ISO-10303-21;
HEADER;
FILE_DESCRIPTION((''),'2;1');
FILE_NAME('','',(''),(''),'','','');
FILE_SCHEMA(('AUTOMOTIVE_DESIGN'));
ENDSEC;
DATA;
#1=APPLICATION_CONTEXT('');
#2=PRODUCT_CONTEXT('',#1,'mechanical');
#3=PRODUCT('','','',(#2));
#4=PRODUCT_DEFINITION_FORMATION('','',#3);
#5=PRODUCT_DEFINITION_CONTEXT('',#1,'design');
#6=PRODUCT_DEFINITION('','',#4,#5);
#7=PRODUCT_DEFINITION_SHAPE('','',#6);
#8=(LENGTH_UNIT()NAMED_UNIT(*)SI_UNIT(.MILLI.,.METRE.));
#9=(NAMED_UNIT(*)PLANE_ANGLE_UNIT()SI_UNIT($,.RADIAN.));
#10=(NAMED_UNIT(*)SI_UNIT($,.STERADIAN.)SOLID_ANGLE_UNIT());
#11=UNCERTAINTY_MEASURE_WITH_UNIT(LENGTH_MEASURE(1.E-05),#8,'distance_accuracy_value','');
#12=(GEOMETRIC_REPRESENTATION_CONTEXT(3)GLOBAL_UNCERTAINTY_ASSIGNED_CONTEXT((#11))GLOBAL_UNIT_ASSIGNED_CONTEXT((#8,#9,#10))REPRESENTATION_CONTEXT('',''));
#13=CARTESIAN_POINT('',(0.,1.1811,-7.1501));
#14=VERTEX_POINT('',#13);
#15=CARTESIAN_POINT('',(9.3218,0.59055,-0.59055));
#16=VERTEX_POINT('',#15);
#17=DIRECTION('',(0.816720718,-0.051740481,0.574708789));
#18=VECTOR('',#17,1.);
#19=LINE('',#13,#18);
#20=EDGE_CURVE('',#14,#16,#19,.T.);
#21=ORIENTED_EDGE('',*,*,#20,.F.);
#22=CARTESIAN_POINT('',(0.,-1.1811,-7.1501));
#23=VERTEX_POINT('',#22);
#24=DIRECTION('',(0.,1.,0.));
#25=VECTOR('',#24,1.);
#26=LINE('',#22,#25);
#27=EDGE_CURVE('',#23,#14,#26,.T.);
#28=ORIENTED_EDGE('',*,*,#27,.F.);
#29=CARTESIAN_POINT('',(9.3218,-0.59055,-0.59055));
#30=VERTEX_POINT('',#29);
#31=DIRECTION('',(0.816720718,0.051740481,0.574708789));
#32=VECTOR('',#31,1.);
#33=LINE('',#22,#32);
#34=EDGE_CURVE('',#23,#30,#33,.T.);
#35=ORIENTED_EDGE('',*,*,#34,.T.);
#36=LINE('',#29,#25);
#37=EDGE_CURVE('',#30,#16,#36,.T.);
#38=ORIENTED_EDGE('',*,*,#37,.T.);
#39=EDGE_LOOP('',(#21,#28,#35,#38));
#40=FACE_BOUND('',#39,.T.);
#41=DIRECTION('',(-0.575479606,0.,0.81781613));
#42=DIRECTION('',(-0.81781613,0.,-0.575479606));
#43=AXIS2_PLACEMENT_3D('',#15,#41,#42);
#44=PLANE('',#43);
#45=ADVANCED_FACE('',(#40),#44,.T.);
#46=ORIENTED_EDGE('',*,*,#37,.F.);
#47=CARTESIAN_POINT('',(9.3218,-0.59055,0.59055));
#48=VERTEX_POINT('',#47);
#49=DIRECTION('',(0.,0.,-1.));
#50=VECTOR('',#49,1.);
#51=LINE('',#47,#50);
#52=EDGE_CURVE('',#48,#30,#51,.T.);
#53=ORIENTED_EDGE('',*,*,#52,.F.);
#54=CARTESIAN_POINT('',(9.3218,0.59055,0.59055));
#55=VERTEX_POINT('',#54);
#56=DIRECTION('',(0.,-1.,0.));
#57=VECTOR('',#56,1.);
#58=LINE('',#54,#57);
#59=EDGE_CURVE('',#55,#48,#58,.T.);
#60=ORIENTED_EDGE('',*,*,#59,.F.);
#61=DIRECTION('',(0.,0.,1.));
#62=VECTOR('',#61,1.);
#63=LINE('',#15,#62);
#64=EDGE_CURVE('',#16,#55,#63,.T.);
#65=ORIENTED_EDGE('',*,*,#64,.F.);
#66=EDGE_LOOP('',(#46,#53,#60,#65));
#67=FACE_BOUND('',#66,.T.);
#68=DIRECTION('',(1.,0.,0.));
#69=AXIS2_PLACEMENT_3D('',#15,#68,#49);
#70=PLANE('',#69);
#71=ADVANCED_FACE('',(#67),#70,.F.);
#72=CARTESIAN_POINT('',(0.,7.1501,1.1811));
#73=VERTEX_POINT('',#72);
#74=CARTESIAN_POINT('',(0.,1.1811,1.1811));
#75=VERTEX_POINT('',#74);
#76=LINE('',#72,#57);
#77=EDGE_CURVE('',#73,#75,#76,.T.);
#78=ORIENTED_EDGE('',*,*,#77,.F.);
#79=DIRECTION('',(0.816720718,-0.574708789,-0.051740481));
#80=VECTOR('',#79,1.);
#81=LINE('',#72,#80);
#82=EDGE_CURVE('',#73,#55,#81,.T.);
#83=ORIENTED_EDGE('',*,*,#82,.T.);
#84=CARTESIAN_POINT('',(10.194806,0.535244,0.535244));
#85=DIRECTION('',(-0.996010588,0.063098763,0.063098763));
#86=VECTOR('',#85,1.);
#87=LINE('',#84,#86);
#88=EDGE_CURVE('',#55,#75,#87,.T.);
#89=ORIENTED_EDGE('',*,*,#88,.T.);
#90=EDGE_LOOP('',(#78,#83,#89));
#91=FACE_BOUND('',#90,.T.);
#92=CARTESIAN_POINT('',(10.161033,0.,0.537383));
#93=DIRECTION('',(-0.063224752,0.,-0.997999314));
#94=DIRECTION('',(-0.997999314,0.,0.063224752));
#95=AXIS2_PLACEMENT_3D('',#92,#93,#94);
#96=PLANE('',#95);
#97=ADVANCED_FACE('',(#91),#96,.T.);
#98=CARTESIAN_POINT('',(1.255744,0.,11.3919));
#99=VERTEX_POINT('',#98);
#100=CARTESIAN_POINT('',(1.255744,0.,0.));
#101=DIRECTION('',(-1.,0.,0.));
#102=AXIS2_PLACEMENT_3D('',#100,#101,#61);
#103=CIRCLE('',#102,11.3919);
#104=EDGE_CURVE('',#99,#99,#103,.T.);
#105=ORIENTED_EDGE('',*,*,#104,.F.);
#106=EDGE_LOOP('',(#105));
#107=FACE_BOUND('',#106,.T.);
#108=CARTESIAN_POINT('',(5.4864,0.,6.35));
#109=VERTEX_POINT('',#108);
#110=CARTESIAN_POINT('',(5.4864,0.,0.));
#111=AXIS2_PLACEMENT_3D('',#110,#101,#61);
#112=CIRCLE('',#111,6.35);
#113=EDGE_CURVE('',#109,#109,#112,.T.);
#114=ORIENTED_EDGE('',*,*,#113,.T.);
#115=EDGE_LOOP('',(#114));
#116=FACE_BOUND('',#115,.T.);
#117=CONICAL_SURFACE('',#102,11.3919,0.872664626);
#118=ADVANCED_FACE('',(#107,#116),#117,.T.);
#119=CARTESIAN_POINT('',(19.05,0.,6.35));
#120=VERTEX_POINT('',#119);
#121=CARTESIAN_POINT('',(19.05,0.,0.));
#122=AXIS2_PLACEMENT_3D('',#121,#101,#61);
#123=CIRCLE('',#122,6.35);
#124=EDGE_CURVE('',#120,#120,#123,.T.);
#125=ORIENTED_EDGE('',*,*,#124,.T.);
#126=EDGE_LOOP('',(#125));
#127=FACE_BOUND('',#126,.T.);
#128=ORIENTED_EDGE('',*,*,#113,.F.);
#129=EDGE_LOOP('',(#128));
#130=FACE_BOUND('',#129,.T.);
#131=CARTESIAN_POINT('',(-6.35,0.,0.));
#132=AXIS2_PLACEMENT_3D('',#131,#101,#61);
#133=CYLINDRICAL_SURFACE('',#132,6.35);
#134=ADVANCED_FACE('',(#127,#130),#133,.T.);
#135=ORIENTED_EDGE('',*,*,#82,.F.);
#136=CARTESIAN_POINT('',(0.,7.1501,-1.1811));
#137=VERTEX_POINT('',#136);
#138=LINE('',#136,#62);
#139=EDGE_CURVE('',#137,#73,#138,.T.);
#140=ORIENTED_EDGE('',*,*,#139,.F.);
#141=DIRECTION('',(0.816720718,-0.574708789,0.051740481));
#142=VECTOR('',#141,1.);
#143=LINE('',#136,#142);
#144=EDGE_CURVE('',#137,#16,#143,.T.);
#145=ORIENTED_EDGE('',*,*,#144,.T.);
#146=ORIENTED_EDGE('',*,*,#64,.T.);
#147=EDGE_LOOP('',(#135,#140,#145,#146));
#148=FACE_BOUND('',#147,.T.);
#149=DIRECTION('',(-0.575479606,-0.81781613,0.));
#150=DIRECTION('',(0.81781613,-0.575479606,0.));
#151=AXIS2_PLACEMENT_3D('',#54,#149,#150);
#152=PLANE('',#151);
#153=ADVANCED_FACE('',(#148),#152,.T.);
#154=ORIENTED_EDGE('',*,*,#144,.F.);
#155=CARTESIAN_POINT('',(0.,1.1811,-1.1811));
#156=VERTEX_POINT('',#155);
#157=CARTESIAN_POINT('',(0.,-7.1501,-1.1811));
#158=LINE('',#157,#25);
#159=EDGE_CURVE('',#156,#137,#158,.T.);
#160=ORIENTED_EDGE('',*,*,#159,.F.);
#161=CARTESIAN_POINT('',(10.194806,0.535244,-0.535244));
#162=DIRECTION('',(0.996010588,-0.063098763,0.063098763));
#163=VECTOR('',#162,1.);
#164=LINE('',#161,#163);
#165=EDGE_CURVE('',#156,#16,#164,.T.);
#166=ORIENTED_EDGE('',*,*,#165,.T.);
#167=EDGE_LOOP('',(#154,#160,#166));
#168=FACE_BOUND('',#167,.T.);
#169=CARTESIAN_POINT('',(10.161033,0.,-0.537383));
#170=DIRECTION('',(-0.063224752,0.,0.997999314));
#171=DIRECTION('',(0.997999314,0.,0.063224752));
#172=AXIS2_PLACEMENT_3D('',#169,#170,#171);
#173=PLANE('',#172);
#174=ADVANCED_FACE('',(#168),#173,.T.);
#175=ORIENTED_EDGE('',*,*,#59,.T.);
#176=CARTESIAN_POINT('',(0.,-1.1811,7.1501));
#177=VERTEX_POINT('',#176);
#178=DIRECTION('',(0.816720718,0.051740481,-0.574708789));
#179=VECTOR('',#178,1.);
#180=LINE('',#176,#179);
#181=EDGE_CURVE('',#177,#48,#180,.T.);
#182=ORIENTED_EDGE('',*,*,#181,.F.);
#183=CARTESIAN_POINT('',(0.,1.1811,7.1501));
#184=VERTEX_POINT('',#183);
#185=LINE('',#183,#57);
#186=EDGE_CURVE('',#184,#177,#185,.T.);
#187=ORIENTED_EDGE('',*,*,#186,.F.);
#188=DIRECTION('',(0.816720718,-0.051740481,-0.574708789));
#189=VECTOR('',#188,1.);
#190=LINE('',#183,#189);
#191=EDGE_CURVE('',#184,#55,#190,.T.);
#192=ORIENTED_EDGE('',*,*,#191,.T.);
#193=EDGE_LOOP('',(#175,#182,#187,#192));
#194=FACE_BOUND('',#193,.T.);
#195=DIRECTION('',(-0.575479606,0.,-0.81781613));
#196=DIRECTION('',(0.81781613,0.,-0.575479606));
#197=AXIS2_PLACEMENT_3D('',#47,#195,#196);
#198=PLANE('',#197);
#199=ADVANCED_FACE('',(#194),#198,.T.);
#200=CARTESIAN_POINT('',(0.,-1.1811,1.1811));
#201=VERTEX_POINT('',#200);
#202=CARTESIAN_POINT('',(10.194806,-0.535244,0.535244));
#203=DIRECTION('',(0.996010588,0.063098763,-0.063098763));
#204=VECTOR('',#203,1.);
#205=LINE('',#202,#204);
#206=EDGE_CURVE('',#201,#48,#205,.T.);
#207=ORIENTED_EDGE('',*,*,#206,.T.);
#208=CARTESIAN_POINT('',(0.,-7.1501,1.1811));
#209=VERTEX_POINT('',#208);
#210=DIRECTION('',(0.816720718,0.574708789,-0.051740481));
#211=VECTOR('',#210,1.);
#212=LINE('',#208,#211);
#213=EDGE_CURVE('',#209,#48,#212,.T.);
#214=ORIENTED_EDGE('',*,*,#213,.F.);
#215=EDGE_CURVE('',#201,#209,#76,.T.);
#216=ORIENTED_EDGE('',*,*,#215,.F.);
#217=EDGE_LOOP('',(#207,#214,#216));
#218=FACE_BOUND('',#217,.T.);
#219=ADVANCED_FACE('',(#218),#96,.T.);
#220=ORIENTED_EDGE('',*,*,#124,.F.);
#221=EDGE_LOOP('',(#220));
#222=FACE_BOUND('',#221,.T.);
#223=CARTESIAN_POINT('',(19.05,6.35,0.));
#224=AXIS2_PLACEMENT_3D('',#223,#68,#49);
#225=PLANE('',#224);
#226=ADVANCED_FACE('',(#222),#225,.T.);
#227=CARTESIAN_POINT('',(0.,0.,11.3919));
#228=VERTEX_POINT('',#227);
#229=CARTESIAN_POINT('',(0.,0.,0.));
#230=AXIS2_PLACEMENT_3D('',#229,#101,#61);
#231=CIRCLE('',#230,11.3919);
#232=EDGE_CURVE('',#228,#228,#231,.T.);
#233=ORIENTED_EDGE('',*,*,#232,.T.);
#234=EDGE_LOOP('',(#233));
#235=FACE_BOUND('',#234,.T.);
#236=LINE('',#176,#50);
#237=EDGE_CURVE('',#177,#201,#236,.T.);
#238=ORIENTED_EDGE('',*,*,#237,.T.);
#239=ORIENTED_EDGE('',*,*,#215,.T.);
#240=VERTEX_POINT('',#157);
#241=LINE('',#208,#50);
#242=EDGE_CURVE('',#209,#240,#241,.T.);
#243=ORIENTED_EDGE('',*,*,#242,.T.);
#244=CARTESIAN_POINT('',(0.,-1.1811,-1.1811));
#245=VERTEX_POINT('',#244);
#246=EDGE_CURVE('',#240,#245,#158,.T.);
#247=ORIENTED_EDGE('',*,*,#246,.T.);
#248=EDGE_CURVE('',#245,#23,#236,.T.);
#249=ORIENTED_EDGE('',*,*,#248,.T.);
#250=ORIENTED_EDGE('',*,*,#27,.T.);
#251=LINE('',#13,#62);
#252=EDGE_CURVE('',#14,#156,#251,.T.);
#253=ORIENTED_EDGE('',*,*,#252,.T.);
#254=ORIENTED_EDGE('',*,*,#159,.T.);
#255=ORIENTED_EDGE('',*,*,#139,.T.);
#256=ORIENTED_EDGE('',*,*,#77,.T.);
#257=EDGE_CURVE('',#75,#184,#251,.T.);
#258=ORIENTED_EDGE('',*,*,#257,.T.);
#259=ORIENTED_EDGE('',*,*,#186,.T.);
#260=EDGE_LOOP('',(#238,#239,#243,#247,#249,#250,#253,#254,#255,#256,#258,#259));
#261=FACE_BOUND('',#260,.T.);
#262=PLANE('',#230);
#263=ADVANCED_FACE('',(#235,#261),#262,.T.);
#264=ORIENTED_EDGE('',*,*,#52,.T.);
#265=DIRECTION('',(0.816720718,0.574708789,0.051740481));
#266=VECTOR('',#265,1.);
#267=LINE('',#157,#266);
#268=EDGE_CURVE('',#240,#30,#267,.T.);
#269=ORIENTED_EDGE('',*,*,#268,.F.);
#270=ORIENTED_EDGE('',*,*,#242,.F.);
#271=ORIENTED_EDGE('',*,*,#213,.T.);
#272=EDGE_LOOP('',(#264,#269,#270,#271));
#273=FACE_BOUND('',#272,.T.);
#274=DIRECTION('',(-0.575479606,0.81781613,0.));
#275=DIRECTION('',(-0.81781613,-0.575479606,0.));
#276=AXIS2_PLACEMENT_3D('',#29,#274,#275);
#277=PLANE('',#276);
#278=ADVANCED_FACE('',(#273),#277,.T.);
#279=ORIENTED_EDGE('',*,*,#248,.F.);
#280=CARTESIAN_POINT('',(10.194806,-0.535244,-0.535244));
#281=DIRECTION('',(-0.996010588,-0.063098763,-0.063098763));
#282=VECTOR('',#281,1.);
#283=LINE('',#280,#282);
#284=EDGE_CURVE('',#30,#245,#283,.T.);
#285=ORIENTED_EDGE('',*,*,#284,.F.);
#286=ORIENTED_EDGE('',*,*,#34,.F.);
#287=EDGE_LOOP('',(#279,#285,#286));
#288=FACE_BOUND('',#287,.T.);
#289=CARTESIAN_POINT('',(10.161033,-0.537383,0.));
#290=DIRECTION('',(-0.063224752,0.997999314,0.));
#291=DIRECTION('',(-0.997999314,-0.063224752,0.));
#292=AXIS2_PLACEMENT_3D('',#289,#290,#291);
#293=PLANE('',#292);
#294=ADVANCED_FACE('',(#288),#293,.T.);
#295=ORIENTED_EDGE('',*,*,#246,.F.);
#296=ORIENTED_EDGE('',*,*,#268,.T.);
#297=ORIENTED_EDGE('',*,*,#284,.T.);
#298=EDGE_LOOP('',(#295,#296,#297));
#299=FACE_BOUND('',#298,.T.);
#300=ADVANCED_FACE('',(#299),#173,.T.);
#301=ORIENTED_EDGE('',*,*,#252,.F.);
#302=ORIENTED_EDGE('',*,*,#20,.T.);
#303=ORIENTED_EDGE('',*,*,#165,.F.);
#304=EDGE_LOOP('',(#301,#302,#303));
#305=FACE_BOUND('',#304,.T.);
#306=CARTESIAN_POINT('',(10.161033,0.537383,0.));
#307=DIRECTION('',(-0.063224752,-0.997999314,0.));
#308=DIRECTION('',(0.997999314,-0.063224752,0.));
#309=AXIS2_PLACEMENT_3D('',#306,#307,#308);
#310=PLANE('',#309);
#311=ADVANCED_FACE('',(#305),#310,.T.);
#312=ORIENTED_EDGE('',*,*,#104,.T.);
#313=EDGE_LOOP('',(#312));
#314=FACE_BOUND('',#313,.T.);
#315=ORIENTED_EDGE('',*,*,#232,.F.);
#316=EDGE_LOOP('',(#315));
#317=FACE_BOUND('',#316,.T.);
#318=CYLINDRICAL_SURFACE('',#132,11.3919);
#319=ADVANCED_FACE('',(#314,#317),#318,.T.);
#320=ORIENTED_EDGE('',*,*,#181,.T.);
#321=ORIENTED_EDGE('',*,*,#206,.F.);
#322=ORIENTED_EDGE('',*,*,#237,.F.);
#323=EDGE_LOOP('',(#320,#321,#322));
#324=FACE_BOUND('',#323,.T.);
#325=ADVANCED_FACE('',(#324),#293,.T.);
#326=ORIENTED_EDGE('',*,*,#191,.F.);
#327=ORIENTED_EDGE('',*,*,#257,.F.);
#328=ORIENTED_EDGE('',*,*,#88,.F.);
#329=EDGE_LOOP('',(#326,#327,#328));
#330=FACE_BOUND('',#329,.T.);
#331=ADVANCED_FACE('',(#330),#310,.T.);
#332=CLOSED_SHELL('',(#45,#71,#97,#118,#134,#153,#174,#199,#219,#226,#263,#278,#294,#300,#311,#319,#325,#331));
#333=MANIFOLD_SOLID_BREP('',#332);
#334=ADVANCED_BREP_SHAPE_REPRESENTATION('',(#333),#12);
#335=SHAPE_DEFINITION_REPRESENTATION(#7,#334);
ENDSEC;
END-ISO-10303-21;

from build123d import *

# Parameters (mm, degrees)
CIRPATTERN1_COUNT = 2
CIRPATTERN1_ANGLE = 90


with BuildPart() as part:
    # BodySke → Base-Revolve (revolve)
    with BuildSketch(Plane.XY, mode=Mode.PRIVATE) as base_revolve_sk:
        Polygon((0, 0), (0, 11.3919), (1.25574357, 11.3919), (5.4864, 6.35), (19.05, 6.35), (19.05, 0), align=None)
    revolve(base_revolve_sk.sketch.rotate(Axis((-6.35, 0, 0), (1, 0, 0)), 90), axis=Axis((-6.35, 0, 0), (1, 0, 0)))

    # Sketch3 → Cross section 0
    with BuildSketch(Plane.ZY):
        with BuildLine():
            Line((-1.1811, 7.1501), (1.1811, 7.1501))
            Line((1.1811, 7.1501), (1.1811, -7.1501))
            Line((1.1811, -7.1501), (-1.1811, -7.1501))
            Line((-1.1811, -7.1501), (-1.1811, 7.1501))
        make_face()
    # Sketch4 → Cross section 1
    with BuildSketch(Plane.ZY.offset(-9.3218)):
        with BuildLine():
            Line((-0.59055, 0.59055), (0.59055, 0.59055))
            Line((0.59055, 0.59055), (0.59055, -0.59055))
            Line((0.59055, -0.59055), (-0.59055, -0.59055))
            Line((-0.59055, -0.59055), (-0.59055, 0.59055))
        make_face()
    cross = loft(mode=Mode.SUBTRACT)

    # CirPattern1: Cross ×2 about axis
    cirpattern1_axis = Axis((0, 0, 0), (1, 0, 0))
    for i in range(1, CIRPATTERN1_COUNT):
        add(cross.rotate(cirpattern1_axis, i * CIRPATTERN1_ANGLE / (CIRPATTERN1_COUNT - 1)), mode=Mode.SUBTRACT)


solid = part.part
